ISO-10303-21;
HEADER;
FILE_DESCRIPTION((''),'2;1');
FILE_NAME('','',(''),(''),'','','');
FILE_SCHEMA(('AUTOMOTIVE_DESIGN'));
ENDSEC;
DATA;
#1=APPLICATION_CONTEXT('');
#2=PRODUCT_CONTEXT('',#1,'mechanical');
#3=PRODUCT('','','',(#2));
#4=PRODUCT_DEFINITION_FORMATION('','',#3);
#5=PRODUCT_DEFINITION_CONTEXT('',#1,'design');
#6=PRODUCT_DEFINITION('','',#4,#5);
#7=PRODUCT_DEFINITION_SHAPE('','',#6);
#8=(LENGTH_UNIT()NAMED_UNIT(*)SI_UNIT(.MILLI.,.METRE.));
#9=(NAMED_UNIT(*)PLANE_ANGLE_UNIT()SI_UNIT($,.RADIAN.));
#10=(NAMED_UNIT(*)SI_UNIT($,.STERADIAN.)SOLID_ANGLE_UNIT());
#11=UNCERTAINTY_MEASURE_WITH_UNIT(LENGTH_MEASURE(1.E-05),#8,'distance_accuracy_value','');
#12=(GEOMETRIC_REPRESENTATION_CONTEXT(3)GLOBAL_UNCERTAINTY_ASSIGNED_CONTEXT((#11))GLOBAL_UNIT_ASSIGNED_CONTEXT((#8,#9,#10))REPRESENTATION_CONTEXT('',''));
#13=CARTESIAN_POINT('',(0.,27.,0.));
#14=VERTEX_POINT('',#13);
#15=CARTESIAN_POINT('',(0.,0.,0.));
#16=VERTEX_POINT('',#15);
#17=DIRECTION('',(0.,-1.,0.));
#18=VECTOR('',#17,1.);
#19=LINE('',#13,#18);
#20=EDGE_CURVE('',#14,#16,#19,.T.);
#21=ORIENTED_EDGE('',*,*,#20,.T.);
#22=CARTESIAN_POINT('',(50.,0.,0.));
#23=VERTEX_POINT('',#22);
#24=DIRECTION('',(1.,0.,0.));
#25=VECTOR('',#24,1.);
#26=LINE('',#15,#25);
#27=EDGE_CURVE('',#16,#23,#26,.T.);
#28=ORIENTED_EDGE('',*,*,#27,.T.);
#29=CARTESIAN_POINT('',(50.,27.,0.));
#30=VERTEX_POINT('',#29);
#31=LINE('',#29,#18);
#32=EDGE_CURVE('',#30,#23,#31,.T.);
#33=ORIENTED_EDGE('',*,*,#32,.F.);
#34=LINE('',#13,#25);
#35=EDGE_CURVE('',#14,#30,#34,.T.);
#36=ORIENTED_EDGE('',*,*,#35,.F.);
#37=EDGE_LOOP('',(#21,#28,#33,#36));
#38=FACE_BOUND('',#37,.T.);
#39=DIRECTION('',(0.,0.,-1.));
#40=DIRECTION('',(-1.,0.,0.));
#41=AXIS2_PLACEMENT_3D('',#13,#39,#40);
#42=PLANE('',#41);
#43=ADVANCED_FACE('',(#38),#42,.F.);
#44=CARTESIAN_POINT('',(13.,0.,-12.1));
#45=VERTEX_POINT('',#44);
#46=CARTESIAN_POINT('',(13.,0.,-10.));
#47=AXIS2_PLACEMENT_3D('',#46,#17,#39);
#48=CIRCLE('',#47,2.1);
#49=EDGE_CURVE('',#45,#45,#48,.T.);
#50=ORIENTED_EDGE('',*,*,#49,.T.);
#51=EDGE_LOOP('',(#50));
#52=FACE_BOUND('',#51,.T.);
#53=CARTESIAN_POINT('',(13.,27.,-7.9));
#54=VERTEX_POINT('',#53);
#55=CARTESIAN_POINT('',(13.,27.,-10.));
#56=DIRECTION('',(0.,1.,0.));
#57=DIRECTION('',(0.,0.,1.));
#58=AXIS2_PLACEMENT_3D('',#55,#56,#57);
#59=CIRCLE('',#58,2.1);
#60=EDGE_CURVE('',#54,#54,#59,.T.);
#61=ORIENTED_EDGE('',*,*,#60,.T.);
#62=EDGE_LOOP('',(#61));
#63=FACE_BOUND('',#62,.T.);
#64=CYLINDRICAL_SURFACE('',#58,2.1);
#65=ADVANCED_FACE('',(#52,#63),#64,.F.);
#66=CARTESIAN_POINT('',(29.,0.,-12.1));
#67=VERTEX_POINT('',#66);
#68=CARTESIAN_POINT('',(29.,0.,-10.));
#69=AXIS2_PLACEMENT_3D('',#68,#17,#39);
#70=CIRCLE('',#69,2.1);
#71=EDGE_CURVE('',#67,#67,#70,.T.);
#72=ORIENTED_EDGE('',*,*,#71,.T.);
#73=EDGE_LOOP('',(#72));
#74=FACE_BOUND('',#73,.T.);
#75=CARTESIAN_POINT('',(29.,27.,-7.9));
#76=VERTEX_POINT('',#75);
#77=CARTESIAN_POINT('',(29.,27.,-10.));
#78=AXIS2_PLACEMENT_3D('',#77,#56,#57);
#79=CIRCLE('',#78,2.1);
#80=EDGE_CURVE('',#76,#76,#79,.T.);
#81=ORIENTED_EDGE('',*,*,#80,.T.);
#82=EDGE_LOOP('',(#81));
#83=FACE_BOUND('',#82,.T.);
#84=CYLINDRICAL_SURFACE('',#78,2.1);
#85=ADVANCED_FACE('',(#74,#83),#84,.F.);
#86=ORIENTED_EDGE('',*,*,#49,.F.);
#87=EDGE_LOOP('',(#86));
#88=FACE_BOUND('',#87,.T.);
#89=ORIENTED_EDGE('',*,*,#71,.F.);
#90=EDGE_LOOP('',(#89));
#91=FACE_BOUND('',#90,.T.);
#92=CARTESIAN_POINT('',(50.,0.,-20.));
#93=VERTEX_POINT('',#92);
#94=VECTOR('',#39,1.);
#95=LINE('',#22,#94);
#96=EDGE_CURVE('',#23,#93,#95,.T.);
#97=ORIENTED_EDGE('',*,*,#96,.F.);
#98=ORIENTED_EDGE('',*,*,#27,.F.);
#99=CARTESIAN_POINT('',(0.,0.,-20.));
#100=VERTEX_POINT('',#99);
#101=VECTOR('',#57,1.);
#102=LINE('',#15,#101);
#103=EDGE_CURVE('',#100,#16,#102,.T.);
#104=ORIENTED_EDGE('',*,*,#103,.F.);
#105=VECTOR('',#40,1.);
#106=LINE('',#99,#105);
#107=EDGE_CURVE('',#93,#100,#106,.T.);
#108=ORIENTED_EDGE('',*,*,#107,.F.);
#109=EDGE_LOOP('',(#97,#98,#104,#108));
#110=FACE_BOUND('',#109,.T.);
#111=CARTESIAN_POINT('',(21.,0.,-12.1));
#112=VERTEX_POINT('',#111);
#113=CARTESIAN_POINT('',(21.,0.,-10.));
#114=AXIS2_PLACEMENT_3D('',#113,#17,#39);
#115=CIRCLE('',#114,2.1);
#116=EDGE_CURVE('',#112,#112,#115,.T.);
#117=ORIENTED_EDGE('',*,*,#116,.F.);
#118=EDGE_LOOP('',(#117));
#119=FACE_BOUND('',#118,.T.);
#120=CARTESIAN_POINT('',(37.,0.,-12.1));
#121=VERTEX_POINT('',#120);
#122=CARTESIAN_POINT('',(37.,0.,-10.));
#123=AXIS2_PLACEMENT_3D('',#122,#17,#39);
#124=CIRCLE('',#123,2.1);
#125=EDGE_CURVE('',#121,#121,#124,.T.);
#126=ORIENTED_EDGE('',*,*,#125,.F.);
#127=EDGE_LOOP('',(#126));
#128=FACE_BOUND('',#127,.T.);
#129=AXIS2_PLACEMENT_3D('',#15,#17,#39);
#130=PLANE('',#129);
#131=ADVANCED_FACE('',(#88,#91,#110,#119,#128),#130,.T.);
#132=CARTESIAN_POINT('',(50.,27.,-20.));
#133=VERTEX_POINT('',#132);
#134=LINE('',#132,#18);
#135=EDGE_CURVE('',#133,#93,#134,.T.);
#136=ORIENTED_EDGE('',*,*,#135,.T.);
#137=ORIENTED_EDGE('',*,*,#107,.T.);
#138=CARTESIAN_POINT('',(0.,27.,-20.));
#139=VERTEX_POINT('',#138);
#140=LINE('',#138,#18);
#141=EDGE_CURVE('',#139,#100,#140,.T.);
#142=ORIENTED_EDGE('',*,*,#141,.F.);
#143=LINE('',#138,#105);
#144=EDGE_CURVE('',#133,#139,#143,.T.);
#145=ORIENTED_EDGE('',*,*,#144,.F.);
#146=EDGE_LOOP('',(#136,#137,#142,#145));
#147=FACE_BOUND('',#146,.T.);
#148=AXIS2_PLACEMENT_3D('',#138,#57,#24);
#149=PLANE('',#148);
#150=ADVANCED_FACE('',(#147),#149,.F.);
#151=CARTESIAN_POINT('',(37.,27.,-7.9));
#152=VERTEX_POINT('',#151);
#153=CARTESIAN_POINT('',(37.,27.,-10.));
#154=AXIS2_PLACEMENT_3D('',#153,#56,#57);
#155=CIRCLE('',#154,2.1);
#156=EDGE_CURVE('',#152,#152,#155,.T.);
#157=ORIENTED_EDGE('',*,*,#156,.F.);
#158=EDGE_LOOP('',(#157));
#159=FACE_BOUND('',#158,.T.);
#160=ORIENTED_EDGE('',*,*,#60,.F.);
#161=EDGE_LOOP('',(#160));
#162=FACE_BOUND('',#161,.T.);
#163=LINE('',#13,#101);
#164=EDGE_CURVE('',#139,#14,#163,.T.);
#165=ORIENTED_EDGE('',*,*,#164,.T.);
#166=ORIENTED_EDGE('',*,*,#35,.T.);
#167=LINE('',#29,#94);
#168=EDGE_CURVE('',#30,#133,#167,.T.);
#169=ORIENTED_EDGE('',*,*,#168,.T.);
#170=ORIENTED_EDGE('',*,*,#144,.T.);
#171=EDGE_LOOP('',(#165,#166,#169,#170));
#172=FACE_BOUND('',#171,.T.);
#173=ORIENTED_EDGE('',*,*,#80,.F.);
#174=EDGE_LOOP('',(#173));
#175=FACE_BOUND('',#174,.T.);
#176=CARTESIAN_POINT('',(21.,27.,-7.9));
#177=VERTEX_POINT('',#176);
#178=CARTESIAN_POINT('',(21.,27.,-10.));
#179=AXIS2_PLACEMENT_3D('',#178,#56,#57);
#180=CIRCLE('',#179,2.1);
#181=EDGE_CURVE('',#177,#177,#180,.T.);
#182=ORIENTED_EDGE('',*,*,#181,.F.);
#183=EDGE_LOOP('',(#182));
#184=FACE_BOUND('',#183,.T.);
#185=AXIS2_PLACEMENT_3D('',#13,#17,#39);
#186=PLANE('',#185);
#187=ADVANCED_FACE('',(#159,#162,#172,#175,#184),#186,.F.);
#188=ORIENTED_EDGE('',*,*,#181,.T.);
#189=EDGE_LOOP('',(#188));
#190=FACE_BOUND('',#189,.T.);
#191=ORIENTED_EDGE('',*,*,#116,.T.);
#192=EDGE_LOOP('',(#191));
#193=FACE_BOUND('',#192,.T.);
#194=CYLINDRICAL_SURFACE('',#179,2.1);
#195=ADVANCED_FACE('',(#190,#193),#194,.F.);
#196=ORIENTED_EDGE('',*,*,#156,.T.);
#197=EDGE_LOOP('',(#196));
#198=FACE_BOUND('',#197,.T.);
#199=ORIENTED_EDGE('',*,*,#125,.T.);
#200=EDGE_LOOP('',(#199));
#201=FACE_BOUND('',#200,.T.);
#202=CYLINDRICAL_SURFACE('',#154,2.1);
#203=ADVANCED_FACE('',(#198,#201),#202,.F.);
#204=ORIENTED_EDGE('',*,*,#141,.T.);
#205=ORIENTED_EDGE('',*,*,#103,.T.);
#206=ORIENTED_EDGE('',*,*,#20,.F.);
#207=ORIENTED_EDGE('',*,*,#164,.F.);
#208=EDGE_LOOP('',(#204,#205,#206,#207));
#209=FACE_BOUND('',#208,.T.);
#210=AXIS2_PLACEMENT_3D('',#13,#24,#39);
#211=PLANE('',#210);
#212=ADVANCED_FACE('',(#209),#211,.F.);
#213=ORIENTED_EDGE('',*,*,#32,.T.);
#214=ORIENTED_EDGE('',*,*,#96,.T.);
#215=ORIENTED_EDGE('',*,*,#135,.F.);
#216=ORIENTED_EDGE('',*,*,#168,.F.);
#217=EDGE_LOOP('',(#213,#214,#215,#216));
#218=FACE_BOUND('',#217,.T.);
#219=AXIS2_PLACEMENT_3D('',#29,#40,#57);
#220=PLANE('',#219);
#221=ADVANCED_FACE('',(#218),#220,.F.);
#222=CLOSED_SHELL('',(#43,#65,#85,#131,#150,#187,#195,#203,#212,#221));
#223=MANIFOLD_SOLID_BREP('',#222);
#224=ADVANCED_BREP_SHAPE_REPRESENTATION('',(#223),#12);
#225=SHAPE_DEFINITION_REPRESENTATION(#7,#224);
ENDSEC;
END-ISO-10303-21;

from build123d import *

# Parameters (mm, degrees)
SKIZZE1_W                        = 50
SKIZZE1_H                        = 20
AUFSATZ_LINEAR_AUSTRAGEN1_DEPTH  = 27
F_4_2_4_2_DURCHMESSER_BOHRUNG1_D = 4.2


with BuildPart() as part:
    # Skizze1 → Aufsatz-Linear austragen1 (new body)
    with BuildSketch(Plane(origin=(0, 0, 0), x_dir=(1, 0, 0), z_dir=(0, 1, 0))):
        with Locations((25, 10)):
            Rectangle(SKIZZE1_W, SKIZZE1_H)
    extrude(amount=AUFSATZ_LINEAR_AUSTRAGEN1_DEPTH)

    # Ø4.2 (4.2) Durchmesser Bohrung1 (through all)
    with Locations(Plane(origin=(0, 27, 0), x_dir=(1, 0, 0), z_dir=(0, 1, 0))):
        with Locations((37, 10), (13, 10), (21, 10), (29, 10)):
            Hole(F_4_2_4_2_DURCHMESSER_BOHRUNG1_D / 2)


solid = part.part
